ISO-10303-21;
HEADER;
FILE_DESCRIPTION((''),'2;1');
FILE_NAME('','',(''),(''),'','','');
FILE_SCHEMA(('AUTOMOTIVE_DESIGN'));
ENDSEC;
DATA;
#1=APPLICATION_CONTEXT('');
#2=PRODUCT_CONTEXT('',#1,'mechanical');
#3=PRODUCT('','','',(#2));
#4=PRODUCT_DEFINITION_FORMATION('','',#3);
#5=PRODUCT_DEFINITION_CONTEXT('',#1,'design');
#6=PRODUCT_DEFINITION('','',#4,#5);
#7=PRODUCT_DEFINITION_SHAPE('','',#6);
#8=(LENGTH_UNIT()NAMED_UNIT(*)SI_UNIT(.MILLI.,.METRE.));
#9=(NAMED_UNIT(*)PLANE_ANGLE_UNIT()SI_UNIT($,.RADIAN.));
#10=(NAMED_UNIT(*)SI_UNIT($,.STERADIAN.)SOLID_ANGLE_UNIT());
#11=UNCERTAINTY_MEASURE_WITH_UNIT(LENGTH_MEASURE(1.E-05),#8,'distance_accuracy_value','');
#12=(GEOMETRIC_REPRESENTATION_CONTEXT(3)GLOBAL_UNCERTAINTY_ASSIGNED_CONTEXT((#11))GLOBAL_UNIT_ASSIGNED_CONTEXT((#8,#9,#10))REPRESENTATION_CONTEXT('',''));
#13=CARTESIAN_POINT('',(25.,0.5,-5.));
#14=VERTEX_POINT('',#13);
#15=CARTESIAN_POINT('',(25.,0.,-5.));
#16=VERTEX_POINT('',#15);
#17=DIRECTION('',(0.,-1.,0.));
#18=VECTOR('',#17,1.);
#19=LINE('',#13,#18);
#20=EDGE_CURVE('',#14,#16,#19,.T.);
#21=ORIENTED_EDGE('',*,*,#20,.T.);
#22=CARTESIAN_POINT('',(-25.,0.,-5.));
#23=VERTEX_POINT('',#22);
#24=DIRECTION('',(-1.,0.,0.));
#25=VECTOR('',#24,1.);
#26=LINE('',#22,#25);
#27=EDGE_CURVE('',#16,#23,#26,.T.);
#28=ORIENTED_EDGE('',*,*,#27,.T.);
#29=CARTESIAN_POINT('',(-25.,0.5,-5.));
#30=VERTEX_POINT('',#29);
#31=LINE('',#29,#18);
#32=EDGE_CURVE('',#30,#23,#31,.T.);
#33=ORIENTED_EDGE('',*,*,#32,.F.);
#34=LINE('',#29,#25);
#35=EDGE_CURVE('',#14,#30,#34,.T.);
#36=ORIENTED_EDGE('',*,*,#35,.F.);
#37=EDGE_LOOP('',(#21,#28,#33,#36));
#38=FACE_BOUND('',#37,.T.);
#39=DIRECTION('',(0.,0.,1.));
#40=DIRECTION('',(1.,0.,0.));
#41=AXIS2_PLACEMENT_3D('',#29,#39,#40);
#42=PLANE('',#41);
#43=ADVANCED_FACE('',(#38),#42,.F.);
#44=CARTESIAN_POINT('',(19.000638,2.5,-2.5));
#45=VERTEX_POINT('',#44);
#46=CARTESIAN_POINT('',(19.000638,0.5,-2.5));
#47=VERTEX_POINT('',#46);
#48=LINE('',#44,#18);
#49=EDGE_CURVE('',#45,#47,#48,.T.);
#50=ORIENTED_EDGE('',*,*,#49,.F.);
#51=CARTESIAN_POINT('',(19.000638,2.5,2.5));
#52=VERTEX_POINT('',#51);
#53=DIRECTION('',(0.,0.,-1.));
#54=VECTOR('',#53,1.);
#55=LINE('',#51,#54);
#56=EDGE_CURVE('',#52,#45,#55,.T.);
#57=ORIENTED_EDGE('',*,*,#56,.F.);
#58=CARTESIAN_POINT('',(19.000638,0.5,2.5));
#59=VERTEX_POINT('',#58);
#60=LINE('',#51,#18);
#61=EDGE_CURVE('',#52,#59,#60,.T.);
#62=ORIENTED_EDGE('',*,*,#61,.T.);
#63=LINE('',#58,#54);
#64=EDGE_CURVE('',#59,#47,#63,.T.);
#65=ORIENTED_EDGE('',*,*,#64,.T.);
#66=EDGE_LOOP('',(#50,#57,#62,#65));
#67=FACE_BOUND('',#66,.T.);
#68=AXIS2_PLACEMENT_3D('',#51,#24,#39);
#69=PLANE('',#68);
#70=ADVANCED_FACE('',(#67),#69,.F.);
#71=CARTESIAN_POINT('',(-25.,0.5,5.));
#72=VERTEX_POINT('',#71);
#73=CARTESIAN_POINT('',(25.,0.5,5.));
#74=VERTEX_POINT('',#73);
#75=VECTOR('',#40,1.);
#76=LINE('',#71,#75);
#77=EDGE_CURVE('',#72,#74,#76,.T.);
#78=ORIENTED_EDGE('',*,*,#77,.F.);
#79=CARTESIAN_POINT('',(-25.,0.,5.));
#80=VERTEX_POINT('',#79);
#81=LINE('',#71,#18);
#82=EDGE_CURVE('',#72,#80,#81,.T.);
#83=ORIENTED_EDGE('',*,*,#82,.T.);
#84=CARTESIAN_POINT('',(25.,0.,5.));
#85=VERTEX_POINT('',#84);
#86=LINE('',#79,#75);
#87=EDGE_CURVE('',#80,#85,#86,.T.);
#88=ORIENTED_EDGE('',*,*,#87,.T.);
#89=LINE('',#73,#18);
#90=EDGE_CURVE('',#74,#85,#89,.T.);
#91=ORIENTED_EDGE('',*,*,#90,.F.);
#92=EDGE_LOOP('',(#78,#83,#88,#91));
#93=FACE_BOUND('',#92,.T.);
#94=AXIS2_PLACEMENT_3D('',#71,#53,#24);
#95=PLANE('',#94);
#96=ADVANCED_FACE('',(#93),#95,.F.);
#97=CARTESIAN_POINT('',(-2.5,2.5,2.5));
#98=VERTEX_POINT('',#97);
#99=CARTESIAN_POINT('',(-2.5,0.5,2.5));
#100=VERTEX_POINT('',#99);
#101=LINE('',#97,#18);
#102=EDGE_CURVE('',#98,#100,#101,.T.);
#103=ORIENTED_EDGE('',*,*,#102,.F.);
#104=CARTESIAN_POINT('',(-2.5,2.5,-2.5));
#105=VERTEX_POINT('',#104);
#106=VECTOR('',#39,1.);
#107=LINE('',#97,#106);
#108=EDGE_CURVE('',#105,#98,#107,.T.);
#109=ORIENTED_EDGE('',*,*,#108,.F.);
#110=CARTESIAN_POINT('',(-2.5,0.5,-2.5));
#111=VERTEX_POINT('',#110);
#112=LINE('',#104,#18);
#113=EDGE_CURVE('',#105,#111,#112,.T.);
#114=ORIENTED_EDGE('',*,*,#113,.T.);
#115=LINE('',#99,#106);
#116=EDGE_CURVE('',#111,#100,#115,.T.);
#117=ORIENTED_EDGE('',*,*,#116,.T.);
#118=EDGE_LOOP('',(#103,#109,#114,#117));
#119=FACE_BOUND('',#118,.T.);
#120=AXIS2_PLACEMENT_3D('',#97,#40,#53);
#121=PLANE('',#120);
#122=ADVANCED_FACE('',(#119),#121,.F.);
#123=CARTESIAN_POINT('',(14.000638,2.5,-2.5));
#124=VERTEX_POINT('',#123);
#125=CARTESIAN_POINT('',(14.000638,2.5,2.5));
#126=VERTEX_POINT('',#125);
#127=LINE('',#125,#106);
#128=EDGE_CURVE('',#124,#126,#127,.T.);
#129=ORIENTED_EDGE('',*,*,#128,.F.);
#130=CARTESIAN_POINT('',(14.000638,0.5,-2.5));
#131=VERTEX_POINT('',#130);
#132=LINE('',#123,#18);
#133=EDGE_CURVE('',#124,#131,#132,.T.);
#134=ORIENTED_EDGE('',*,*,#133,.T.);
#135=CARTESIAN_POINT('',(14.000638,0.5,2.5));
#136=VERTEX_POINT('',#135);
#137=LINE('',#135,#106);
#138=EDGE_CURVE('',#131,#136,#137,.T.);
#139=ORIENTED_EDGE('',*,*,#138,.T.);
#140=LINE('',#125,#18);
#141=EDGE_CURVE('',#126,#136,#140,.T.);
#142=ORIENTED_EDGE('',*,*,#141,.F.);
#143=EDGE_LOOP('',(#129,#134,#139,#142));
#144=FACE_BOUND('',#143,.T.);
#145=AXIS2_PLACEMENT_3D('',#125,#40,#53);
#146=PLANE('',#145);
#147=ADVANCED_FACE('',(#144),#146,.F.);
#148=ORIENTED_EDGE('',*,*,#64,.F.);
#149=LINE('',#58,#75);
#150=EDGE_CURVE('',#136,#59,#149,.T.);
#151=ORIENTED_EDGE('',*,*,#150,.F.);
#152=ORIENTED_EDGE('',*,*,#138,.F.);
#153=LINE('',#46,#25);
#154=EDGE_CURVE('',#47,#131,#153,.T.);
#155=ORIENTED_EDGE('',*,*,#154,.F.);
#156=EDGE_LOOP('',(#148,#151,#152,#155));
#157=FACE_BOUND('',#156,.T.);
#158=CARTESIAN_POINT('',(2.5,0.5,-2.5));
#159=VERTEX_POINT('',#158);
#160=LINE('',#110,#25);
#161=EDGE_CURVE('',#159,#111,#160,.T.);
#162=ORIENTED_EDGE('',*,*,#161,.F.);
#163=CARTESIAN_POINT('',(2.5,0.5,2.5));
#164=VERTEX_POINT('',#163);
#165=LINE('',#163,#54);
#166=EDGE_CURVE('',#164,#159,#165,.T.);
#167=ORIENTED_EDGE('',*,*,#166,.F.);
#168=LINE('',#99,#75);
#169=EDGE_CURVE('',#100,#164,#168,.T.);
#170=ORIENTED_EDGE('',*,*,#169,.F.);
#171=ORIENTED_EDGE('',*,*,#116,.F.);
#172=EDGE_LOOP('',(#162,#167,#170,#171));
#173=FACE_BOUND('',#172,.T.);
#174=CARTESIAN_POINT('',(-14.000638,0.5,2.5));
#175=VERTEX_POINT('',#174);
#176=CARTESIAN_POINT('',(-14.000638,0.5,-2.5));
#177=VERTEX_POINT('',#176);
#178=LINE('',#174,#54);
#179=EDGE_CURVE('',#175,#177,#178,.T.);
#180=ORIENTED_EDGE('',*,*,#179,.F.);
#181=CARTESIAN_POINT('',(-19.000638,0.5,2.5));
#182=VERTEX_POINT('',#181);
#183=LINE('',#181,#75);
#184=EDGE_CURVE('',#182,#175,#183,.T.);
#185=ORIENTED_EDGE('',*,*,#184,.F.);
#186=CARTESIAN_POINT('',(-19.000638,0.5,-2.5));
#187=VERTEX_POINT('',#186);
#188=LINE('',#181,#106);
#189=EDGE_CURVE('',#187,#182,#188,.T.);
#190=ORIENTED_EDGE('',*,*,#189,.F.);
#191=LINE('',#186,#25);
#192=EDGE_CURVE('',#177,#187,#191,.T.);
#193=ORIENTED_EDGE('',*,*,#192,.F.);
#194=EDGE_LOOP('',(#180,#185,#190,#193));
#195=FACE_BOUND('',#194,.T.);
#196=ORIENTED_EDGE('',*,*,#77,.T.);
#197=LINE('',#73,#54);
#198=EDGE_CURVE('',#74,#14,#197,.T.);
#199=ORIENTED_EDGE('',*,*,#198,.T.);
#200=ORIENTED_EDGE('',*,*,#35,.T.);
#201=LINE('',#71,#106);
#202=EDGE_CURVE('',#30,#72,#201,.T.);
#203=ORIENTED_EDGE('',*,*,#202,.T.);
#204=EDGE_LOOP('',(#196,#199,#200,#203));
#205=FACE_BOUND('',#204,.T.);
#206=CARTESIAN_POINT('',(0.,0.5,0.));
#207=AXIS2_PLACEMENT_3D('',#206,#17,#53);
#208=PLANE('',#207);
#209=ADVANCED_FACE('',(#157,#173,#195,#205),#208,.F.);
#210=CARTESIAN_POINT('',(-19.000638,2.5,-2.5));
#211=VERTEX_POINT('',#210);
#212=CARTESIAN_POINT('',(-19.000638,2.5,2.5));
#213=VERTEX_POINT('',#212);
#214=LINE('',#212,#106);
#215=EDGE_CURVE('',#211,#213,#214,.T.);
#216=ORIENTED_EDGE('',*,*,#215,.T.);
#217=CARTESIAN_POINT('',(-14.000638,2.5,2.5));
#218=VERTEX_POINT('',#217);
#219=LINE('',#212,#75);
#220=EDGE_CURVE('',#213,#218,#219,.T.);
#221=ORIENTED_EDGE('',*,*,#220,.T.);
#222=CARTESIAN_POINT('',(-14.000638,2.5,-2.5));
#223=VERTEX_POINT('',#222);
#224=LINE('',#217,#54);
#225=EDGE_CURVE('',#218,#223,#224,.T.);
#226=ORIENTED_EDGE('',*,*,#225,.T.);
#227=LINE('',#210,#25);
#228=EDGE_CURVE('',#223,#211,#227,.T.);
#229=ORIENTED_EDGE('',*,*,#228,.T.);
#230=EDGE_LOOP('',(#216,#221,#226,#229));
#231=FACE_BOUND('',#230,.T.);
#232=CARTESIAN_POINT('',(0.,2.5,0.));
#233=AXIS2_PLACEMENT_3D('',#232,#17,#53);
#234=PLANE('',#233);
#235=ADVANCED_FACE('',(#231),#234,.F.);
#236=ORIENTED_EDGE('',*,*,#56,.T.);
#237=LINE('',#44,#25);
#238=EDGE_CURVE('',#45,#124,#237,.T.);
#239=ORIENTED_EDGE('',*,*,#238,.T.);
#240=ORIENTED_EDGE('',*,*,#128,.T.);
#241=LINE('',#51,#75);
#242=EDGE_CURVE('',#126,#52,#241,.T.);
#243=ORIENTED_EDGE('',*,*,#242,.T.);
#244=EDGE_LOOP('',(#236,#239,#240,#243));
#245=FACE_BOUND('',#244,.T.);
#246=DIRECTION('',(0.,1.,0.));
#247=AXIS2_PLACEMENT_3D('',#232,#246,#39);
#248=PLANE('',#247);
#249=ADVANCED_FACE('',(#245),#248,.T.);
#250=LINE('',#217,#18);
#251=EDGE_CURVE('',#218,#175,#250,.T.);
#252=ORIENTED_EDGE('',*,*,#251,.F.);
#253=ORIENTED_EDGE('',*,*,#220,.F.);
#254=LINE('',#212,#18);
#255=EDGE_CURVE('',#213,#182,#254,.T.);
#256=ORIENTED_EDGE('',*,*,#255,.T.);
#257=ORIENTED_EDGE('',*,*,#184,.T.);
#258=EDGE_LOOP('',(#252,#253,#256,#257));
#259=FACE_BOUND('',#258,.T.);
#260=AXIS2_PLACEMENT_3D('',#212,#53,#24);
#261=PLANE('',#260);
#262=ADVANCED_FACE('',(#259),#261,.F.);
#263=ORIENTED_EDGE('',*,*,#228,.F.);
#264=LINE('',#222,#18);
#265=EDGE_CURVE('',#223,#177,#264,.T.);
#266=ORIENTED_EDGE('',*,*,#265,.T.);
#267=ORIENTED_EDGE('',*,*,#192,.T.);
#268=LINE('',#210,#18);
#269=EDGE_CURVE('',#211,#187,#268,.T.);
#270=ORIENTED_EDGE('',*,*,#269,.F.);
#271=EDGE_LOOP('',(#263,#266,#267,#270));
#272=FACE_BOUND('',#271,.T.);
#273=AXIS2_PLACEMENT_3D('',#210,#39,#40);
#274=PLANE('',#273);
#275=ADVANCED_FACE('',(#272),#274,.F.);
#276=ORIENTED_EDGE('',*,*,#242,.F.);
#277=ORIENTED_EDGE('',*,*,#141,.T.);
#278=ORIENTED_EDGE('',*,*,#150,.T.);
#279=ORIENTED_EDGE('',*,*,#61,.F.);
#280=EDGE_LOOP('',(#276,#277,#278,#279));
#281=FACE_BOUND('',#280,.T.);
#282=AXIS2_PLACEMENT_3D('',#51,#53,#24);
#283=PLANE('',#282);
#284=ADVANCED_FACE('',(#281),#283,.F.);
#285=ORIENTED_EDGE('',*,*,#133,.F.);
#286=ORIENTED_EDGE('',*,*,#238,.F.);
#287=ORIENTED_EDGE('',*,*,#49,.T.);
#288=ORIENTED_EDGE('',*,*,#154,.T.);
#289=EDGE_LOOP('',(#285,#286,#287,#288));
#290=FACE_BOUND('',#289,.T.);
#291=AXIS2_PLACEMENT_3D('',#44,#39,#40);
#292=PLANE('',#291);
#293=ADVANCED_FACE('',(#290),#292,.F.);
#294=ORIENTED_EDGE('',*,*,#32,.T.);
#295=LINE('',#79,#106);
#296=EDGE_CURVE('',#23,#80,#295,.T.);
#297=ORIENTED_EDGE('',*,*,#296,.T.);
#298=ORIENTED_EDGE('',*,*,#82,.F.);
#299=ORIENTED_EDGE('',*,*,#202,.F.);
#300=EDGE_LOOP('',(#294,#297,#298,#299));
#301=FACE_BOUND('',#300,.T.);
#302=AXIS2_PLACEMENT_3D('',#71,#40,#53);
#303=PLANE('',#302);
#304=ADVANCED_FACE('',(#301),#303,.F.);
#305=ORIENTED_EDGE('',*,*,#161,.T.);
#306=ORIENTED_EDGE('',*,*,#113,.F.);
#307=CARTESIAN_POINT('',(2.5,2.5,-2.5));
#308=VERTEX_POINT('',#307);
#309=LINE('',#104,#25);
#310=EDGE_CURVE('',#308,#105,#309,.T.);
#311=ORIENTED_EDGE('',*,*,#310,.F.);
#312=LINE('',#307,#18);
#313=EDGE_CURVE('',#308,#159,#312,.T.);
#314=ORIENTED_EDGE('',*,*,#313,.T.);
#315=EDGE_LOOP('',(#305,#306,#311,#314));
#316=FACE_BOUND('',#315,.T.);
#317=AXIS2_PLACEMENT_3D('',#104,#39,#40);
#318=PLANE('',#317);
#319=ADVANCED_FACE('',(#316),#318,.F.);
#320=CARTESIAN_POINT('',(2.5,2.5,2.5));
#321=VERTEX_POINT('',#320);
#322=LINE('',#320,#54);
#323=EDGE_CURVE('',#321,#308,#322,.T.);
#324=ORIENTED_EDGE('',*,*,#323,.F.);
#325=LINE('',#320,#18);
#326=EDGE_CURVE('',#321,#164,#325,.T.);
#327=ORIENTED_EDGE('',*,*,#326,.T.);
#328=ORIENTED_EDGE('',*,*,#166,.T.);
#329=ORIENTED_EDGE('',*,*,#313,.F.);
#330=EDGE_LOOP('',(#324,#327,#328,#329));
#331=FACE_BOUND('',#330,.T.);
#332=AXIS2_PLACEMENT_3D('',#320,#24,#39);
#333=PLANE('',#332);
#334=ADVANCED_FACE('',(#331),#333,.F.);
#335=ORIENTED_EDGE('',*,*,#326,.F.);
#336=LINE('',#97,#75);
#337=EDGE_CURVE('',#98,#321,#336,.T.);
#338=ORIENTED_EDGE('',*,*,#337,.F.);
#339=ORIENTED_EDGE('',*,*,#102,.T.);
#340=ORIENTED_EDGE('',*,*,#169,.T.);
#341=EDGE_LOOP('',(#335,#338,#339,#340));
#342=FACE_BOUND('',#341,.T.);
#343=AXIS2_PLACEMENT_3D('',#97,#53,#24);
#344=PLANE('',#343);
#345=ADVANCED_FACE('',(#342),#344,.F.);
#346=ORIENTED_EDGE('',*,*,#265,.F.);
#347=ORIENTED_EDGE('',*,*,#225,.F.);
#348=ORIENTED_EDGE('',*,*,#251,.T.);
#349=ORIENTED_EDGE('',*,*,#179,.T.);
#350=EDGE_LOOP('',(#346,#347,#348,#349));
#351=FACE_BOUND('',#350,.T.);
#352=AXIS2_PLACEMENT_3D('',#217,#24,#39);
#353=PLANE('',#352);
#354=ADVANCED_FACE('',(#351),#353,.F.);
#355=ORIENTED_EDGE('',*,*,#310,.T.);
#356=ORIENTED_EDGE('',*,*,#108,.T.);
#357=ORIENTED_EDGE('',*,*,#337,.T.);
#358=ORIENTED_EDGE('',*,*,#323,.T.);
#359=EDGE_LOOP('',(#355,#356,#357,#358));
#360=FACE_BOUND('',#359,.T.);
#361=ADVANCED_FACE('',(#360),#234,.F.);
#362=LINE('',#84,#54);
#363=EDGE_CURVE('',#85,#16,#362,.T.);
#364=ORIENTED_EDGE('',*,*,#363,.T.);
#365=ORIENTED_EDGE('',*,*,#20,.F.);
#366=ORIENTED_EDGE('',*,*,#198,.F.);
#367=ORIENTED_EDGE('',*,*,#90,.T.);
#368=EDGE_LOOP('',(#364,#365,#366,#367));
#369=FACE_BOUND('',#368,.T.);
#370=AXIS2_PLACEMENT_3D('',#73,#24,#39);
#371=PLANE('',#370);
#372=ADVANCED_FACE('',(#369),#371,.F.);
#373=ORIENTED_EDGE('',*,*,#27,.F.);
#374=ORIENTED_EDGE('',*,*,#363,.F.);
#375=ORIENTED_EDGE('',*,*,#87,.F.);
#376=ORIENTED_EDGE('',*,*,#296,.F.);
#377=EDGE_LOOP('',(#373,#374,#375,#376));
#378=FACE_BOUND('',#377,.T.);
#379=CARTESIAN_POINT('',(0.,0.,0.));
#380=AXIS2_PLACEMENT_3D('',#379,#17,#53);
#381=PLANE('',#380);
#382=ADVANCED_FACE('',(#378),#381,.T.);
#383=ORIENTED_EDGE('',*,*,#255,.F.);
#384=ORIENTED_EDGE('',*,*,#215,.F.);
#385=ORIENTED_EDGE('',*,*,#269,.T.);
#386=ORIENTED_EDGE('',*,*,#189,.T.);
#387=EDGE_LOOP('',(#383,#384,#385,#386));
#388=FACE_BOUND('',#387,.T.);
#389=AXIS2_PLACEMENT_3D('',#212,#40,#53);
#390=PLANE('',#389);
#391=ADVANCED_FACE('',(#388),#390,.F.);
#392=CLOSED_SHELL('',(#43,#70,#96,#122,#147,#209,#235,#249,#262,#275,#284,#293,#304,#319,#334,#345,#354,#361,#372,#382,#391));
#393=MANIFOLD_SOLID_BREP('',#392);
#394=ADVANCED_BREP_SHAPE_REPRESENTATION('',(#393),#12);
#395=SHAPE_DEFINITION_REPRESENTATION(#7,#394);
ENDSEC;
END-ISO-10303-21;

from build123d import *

# Parameters (mm, degrees)
SKETCH1_W            = 50
SKETCH1_H            = 10
BOSS_EXTRUDE1_DEPTH  = 0.5
SKETCH12_W           = 5
SKETCH12_H           = 5
BOSS_EXTRUDE8_DEPTH  = 2
SKETCH13_W           = 5
SKETCH13_H           = 5
BOSS_EXTRUDE9_DEPTH  = 2
SKETCH14_W           = 5
SKETCH14_H           = 5
BOSS_EXTRUDE10_DEPTH = 2


with BuildPart() as part:
    # Sketch1 → Boss-Extrude1 (new body)
    with BuildSketch(Plane(origin=(0, 0, 0), x_dir=(1, 0, 0), z_dir=(0, 1, 0))):
        Rectangle(SKETCH1_W, SKETCH1_H)
    extrude(amount=BOSS_EXTRUDE1_DEPTH)

    # Sketch12 → Boss-Extrude8 (add)
    with BuildSketch(Plane(origin=(0, 0.5, 0), x_dir=(1, 0, 0), z_dir=(0, 1, 0))):
        with Locations((-16.500638267, 0)):
            Rectangle(SKETCH12_W, SKETCH12_H)
    extrude(amount=BOSS_EXTRUDE8_DEPTH)

    # Sketch13 → Boss-Extrude9 (add)
    with BuildSketch(Plane(origin=(0, 0.5, 0), x_dir=(1, 0, 0), z_dir=(0, 1, 0))):
        Rectangle(SKETCH13_W, SKETCH13_H)
    extrude(amount=BOSS_EXTRUDE9_DEPTH)

    # Sketch14 → Boss-Extrude10 (add)
    with BuildSketch(Plane(origin=(0, 0.5, 0), x_dir=(1, 0, 0), z_dir=(0, 1, 0))):
        with Locations((16.500638267, 0)):
            Rectangle(SKETCH14_W, SKETCH14_H)
    extrude(amount=BOSS_EXTRUDE10_DEPTH)


solid = part.part
